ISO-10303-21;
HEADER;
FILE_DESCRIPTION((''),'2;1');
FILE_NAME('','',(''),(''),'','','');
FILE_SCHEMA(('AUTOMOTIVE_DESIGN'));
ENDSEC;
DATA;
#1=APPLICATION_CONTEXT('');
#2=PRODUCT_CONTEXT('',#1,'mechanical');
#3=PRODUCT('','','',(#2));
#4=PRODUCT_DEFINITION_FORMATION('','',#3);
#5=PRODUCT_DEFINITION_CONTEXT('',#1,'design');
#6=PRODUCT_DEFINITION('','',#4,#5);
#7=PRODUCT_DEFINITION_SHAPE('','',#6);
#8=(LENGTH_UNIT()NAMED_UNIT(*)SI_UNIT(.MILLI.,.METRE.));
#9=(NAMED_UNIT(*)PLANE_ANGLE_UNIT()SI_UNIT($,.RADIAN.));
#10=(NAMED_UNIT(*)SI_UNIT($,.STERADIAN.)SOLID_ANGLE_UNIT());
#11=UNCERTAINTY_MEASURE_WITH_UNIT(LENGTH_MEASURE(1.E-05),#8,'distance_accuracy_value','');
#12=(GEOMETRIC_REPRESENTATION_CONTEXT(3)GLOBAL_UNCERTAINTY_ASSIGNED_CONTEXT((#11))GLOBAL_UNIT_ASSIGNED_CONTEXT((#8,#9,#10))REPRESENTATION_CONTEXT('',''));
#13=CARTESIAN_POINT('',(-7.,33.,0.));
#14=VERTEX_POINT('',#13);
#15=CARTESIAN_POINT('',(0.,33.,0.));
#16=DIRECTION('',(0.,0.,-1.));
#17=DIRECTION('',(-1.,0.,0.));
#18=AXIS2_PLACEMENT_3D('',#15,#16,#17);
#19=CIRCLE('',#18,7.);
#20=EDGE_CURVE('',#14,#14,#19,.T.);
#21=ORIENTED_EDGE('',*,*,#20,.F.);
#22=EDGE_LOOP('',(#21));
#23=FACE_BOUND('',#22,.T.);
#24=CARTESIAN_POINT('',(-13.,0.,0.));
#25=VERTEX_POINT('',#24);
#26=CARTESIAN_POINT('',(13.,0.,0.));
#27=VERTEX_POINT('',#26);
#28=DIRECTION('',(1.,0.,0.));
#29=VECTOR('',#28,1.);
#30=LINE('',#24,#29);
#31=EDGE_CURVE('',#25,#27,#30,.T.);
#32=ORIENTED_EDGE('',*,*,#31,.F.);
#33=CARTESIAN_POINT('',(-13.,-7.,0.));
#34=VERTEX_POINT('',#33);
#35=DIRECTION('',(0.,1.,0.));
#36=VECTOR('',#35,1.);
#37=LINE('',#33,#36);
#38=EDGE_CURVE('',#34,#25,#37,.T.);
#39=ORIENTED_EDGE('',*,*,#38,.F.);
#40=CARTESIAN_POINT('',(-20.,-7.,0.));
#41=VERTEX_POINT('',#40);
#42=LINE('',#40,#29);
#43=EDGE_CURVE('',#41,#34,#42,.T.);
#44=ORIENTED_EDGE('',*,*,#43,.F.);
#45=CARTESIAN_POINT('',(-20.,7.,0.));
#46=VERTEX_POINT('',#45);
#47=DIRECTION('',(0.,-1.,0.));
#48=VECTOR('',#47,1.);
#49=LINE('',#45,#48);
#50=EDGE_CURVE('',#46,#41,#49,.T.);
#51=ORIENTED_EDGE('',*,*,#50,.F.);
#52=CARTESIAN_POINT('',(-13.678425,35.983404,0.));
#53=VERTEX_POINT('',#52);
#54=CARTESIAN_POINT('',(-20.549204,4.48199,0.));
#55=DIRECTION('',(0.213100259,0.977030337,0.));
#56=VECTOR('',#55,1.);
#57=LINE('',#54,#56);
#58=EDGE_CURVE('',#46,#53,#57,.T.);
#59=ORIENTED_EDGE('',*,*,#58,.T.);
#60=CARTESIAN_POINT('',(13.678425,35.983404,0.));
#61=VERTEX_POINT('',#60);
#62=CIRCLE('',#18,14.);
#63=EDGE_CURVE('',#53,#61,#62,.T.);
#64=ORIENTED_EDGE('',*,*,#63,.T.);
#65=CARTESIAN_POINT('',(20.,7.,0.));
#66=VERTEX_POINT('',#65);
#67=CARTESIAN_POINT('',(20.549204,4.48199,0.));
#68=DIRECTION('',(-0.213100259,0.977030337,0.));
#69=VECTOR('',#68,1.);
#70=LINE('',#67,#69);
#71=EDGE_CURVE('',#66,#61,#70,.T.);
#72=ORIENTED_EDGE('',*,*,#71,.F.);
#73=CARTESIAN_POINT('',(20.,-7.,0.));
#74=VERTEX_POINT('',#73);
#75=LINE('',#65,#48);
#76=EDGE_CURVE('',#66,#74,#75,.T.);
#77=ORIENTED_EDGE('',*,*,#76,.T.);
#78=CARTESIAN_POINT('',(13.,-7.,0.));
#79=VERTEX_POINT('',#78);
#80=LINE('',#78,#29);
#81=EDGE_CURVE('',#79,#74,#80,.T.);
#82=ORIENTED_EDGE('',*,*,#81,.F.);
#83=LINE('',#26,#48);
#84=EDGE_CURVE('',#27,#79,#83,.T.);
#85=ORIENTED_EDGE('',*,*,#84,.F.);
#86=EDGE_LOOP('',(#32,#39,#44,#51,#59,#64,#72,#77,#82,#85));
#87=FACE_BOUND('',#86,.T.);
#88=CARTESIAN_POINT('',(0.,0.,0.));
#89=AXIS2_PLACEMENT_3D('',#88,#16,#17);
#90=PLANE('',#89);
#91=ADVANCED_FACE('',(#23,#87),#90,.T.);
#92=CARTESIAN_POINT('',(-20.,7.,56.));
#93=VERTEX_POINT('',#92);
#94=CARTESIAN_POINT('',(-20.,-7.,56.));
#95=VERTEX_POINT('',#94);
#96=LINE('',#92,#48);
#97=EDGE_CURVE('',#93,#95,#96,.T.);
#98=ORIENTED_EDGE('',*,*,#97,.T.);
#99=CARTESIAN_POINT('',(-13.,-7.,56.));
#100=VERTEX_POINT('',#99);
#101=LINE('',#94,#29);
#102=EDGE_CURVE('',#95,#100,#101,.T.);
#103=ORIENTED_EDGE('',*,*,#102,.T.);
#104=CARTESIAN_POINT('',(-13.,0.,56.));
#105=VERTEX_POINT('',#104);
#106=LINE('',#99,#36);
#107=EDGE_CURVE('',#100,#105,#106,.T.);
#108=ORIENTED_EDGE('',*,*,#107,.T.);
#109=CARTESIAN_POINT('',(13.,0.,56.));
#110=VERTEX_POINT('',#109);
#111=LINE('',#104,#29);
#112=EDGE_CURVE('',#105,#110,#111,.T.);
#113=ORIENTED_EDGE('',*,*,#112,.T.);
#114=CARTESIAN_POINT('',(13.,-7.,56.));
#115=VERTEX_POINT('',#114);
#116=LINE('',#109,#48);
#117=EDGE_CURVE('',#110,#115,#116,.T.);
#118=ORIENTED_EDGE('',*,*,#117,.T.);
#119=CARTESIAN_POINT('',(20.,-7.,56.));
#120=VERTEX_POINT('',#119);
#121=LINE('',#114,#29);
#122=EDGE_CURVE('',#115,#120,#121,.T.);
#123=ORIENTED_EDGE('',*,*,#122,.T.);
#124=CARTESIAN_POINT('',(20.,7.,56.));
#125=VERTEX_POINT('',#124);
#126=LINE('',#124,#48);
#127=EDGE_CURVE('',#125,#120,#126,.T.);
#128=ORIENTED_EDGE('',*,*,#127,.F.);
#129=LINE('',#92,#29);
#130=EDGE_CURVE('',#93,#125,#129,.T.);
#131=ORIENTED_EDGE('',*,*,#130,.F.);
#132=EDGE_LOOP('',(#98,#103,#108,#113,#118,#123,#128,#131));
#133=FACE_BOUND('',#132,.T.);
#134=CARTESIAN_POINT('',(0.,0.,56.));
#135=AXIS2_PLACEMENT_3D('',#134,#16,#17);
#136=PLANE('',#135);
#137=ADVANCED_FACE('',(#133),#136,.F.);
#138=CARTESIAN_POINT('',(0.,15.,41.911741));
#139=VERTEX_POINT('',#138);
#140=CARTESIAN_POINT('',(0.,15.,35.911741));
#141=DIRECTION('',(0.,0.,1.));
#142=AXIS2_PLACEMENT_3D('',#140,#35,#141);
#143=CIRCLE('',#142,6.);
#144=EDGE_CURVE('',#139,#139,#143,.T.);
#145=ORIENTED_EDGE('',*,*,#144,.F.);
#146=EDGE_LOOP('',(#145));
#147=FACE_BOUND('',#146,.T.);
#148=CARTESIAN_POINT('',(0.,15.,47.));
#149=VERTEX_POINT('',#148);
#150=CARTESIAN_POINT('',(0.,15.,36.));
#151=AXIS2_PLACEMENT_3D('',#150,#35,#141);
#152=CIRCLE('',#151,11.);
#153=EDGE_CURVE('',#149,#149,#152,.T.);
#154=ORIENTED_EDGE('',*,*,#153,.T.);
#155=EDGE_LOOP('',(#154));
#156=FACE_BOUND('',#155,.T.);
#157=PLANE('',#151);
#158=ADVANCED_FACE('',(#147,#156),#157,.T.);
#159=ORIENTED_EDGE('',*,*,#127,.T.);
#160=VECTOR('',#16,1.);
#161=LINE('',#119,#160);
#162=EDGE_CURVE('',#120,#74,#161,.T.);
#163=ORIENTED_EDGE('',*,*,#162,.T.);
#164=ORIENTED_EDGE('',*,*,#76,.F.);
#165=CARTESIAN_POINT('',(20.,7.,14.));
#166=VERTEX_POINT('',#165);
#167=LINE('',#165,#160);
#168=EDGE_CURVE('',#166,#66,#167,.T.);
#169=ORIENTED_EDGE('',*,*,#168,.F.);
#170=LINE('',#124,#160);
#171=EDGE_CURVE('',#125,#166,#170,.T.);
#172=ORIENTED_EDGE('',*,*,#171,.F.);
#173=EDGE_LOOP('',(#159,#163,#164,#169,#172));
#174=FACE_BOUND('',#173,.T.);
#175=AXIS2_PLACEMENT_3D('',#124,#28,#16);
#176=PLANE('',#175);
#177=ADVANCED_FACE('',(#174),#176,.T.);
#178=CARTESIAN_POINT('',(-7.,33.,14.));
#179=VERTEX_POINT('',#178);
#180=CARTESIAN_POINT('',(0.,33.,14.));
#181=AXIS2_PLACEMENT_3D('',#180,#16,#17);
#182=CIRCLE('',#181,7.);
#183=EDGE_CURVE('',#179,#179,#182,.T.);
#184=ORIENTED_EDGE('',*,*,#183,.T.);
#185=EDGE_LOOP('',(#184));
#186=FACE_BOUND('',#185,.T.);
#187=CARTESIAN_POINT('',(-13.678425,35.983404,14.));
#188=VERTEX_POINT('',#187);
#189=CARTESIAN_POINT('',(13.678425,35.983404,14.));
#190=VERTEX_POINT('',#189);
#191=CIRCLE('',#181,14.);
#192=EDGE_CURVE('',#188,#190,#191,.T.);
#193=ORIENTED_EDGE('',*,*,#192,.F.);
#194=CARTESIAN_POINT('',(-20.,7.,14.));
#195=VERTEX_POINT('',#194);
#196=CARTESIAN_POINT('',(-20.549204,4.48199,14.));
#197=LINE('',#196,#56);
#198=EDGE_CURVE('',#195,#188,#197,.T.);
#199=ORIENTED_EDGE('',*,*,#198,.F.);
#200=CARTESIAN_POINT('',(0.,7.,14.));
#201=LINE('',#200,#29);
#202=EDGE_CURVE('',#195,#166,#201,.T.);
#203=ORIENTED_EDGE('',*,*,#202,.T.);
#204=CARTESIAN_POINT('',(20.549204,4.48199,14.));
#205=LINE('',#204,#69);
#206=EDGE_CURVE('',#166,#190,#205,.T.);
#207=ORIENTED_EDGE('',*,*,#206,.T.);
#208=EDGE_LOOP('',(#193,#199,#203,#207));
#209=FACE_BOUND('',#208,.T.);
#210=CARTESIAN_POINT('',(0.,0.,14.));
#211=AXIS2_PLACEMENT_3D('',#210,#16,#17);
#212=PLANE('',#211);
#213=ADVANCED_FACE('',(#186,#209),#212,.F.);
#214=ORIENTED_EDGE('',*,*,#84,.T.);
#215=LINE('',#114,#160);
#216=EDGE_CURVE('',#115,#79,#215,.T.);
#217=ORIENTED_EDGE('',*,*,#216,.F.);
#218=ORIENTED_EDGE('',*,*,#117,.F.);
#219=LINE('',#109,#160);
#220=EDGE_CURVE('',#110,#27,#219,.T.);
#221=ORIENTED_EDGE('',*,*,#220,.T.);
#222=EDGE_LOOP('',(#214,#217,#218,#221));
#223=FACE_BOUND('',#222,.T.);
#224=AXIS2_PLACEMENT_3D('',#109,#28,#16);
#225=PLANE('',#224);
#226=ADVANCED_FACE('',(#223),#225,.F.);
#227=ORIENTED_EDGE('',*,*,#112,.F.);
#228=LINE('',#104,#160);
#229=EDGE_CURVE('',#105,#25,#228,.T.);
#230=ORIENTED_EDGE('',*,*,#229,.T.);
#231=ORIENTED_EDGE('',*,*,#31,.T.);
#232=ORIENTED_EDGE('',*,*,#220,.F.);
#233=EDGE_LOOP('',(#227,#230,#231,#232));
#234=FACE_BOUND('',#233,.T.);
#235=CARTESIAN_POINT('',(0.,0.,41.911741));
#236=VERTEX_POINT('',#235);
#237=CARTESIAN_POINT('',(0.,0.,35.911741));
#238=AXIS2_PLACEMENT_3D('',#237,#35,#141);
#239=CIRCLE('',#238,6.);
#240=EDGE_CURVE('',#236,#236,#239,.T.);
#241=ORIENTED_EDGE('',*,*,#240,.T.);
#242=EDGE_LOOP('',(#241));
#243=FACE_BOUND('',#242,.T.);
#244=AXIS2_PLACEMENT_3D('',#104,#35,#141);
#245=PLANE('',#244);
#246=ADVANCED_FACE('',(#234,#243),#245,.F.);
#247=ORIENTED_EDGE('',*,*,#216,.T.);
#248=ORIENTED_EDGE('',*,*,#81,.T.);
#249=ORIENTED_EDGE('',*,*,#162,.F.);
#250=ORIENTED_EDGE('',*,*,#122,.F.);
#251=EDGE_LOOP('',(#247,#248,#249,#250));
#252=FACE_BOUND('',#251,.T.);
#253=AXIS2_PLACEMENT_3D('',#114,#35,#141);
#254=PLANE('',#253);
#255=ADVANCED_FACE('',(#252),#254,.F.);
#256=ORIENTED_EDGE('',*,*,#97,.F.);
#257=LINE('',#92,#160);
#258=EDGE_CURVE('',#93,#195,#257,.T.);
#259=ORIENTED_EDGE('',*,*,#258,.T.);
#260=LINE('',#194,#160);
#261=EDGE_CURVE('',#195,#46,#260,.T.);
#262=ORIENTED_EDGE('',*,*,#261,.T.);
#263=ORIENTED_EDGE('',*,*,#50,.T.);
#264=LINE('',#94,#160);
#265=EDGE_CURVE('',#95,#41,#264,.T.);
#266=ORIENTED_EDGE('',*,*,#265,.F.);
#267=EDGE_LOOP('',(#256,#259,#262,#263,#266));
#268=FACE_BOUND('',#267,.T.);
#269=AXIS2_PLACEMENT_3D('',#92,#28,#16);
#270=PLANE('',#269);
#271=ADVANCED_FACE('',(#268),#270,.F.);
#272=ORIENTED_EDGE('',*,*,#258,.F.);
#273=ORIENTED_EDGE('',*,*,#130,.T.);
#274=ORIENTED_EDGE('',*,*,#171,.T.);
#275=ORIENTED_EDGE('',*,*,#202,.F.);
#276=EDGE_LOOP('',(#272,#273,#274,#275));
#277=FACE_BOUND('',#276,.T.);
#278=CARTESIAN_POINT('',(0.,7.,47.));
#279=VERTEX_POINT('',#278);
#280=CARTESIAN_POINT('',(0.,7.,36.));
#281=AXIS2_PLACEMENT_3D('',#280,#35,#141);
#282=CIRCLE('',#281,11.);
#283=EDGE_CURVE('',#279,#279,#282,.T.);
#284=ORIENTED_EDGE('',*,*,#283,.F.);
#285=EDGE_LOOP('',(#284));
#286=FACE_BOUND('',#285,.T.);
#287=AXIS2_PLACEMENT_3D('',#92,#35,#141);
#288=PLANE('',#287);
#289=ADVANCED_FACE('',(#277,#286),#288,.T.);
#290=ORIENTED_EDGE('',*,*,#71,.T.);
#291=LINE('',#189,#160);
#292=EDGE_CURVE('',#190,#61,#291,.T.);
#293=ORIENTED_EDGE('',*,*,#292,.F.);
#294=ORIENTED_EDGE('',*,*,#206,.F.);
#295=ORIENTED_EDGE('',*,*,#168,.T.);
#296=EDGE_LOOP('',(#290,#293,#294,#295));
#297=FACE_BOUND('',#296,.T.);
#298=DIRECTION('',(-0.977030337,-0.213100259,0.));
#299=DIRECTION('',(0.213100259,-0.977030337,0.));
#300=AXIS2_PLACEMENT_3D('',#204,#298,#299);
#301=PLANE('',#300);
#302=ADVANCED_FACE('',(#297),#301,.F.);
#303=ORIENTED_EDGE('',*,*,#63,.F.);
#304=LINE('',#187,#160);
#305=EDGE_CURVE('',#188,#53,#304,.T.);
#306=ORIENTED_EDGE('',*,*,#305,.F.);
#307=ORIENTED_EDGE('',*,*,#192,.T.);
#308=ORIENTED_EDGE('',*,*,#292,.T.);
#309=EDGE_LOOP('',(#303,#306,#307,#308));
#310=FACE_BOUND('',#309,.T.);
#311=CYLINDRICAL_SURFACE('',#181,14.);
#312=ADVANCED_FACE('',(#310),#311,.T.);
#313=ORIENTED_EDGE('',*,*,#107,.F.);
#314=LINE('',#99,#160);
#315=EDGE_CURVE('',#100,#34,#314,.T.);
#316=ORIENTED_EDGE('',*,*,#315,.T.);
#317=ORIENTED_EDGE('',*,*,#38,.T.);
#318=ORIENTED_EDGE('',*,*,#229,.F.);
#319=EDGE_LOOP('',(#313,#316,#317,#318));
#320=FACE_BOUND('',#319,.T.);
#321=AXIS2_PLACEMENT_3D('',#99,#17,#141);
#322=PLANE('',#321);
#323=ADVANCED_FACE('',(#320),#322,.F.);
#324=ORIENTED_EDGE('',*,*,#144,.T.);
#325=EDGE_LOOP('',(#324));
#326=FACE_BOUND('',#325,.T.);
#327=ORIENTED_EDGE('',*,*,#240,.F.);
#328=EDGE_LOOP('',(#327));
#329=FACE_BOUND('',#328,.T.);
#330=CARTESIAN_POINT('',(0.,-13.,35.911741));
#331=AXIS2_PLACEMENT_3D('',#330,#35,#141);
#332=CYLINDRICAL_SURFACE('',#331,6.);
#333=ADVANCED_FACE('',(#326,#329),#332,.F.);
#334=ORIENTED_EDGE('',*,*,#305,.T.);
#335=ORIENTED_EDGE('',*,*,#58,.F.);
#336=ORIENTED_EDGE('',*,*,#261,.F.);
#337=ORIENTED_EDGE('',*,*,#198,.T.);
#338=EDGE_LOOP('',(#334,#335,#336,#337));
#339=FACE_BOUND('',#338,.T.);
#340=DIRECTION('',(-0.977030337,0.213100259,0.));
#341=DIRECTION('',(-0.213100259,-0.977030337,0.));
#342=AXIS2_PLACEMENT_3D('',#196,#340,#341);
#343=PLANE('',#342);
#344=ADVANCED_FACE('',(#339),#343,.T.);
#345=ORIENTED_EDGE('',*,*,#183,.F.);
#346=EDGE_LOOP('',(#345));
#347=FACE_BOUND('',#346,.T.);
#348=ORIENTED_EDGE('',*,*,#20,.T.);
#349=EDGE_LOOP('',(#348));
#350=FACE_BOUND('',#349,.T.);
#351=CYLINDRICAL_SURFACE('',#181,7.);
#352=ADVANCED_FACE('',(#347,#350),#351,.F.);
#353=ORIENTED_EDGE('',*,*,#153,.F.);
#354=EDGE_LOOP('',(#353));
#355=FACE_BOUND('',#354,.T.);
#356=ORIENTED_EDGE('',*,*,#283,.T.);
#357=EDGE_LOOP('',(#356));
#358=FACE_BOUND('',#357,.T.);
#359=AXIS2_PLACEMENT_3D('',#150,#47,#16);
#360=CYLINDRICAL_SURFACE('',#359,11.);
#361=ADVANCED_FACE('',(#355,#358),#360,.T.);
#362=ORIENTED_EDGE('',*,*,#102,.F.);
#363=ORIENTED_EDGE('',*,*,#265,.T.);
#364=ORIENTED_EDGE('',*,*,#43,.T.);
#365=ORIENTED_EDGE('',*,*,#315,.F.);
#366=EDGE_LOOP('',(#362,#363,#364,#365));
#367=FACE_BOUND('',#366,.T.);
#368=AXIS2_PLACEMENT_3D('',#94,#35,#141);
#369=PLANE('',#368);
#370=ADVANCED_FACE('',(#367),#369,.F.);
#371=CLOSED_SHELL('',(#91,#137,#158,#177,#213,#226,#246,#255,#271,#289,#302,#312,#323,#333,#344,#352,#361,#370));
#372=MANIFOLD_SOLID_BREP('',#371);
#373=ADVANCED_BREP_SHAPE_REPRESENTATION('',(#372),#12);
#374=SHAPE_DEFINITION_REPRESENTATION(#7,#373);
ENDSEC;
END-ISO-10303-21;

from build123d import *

# Parameters (mm, degrees)
EXTRUDE_1_DEPTH     = 56
SKETCH_2_R          = 7
EXTRUDE_2_DEPTH     = 14
SKETCH_3_R          = 11
EXTRUDE_3_DEPTH     = 8
SKETCH_5_R          = 6
CUT_EXTRUDE_2_DEPTH = 28


with BuildPart() as part:
    # 草图1 → 凸台-拉伸1 (new body)
    with BuildSketch(Plane.XY):
        Polygon((-13, -7), (-13, 0), (13, 0), (13, -7), (20, -7), (20, 7), (-20, 7), (-20, -7), align=None)
    extrude(amount=EXTRUDE_1_DEPTH)

    # 草图2 → 凸台-拉伸2 (add)
    with BuildSketch(Plane(origin=(0, 0, 0), x_dir=(-1, 0, 0), z_dir=(0, 0, -1))):
        with BuildLine():
            Line((-20, 7), (20, 7))
            Line((20, 7), (13.678424719, 35.98340363))
            ThreePointArc((13.678424719, 35.98340363), (0, 47), (-13.678424719, 35.98340363))
            Line((-13.678424719, 35.98340363), (-20, 7))
        make_face()
        with Locations((0, 33)):
            Circle(SKETCH_2_R, mode=Mode.SUBTRACT)
    extrude(amount=-EXTRUDE_2_DEPTH)

    # 草图3 → 凸台-拉伸3 (add)
    with BuildSketch(Plane(origin=(0, 7, 0), x_dir=(1, 0, 0), z_dir=(0, 1, 0))):
        with Locations((0, -36)):
            Circle(SKETCH_3_R)
    extrude(amount=EXTRUDE_3_DEPTH)

    # 草图5 → 切除-拉伸2 (cut)
    with BuildSketch(Plane(origin=(0, 15, 0), x_dir=(1, 0, 0), z_dir=(0, 1, 0))):
        with Locations((0, -35.911740673)):
            Circle(SKETCH_5_R)
    extrude(amount=-CUT_EXTRUDE_2_DEPTH, mode=Mode.SUBTRACT)


solid = part.part
